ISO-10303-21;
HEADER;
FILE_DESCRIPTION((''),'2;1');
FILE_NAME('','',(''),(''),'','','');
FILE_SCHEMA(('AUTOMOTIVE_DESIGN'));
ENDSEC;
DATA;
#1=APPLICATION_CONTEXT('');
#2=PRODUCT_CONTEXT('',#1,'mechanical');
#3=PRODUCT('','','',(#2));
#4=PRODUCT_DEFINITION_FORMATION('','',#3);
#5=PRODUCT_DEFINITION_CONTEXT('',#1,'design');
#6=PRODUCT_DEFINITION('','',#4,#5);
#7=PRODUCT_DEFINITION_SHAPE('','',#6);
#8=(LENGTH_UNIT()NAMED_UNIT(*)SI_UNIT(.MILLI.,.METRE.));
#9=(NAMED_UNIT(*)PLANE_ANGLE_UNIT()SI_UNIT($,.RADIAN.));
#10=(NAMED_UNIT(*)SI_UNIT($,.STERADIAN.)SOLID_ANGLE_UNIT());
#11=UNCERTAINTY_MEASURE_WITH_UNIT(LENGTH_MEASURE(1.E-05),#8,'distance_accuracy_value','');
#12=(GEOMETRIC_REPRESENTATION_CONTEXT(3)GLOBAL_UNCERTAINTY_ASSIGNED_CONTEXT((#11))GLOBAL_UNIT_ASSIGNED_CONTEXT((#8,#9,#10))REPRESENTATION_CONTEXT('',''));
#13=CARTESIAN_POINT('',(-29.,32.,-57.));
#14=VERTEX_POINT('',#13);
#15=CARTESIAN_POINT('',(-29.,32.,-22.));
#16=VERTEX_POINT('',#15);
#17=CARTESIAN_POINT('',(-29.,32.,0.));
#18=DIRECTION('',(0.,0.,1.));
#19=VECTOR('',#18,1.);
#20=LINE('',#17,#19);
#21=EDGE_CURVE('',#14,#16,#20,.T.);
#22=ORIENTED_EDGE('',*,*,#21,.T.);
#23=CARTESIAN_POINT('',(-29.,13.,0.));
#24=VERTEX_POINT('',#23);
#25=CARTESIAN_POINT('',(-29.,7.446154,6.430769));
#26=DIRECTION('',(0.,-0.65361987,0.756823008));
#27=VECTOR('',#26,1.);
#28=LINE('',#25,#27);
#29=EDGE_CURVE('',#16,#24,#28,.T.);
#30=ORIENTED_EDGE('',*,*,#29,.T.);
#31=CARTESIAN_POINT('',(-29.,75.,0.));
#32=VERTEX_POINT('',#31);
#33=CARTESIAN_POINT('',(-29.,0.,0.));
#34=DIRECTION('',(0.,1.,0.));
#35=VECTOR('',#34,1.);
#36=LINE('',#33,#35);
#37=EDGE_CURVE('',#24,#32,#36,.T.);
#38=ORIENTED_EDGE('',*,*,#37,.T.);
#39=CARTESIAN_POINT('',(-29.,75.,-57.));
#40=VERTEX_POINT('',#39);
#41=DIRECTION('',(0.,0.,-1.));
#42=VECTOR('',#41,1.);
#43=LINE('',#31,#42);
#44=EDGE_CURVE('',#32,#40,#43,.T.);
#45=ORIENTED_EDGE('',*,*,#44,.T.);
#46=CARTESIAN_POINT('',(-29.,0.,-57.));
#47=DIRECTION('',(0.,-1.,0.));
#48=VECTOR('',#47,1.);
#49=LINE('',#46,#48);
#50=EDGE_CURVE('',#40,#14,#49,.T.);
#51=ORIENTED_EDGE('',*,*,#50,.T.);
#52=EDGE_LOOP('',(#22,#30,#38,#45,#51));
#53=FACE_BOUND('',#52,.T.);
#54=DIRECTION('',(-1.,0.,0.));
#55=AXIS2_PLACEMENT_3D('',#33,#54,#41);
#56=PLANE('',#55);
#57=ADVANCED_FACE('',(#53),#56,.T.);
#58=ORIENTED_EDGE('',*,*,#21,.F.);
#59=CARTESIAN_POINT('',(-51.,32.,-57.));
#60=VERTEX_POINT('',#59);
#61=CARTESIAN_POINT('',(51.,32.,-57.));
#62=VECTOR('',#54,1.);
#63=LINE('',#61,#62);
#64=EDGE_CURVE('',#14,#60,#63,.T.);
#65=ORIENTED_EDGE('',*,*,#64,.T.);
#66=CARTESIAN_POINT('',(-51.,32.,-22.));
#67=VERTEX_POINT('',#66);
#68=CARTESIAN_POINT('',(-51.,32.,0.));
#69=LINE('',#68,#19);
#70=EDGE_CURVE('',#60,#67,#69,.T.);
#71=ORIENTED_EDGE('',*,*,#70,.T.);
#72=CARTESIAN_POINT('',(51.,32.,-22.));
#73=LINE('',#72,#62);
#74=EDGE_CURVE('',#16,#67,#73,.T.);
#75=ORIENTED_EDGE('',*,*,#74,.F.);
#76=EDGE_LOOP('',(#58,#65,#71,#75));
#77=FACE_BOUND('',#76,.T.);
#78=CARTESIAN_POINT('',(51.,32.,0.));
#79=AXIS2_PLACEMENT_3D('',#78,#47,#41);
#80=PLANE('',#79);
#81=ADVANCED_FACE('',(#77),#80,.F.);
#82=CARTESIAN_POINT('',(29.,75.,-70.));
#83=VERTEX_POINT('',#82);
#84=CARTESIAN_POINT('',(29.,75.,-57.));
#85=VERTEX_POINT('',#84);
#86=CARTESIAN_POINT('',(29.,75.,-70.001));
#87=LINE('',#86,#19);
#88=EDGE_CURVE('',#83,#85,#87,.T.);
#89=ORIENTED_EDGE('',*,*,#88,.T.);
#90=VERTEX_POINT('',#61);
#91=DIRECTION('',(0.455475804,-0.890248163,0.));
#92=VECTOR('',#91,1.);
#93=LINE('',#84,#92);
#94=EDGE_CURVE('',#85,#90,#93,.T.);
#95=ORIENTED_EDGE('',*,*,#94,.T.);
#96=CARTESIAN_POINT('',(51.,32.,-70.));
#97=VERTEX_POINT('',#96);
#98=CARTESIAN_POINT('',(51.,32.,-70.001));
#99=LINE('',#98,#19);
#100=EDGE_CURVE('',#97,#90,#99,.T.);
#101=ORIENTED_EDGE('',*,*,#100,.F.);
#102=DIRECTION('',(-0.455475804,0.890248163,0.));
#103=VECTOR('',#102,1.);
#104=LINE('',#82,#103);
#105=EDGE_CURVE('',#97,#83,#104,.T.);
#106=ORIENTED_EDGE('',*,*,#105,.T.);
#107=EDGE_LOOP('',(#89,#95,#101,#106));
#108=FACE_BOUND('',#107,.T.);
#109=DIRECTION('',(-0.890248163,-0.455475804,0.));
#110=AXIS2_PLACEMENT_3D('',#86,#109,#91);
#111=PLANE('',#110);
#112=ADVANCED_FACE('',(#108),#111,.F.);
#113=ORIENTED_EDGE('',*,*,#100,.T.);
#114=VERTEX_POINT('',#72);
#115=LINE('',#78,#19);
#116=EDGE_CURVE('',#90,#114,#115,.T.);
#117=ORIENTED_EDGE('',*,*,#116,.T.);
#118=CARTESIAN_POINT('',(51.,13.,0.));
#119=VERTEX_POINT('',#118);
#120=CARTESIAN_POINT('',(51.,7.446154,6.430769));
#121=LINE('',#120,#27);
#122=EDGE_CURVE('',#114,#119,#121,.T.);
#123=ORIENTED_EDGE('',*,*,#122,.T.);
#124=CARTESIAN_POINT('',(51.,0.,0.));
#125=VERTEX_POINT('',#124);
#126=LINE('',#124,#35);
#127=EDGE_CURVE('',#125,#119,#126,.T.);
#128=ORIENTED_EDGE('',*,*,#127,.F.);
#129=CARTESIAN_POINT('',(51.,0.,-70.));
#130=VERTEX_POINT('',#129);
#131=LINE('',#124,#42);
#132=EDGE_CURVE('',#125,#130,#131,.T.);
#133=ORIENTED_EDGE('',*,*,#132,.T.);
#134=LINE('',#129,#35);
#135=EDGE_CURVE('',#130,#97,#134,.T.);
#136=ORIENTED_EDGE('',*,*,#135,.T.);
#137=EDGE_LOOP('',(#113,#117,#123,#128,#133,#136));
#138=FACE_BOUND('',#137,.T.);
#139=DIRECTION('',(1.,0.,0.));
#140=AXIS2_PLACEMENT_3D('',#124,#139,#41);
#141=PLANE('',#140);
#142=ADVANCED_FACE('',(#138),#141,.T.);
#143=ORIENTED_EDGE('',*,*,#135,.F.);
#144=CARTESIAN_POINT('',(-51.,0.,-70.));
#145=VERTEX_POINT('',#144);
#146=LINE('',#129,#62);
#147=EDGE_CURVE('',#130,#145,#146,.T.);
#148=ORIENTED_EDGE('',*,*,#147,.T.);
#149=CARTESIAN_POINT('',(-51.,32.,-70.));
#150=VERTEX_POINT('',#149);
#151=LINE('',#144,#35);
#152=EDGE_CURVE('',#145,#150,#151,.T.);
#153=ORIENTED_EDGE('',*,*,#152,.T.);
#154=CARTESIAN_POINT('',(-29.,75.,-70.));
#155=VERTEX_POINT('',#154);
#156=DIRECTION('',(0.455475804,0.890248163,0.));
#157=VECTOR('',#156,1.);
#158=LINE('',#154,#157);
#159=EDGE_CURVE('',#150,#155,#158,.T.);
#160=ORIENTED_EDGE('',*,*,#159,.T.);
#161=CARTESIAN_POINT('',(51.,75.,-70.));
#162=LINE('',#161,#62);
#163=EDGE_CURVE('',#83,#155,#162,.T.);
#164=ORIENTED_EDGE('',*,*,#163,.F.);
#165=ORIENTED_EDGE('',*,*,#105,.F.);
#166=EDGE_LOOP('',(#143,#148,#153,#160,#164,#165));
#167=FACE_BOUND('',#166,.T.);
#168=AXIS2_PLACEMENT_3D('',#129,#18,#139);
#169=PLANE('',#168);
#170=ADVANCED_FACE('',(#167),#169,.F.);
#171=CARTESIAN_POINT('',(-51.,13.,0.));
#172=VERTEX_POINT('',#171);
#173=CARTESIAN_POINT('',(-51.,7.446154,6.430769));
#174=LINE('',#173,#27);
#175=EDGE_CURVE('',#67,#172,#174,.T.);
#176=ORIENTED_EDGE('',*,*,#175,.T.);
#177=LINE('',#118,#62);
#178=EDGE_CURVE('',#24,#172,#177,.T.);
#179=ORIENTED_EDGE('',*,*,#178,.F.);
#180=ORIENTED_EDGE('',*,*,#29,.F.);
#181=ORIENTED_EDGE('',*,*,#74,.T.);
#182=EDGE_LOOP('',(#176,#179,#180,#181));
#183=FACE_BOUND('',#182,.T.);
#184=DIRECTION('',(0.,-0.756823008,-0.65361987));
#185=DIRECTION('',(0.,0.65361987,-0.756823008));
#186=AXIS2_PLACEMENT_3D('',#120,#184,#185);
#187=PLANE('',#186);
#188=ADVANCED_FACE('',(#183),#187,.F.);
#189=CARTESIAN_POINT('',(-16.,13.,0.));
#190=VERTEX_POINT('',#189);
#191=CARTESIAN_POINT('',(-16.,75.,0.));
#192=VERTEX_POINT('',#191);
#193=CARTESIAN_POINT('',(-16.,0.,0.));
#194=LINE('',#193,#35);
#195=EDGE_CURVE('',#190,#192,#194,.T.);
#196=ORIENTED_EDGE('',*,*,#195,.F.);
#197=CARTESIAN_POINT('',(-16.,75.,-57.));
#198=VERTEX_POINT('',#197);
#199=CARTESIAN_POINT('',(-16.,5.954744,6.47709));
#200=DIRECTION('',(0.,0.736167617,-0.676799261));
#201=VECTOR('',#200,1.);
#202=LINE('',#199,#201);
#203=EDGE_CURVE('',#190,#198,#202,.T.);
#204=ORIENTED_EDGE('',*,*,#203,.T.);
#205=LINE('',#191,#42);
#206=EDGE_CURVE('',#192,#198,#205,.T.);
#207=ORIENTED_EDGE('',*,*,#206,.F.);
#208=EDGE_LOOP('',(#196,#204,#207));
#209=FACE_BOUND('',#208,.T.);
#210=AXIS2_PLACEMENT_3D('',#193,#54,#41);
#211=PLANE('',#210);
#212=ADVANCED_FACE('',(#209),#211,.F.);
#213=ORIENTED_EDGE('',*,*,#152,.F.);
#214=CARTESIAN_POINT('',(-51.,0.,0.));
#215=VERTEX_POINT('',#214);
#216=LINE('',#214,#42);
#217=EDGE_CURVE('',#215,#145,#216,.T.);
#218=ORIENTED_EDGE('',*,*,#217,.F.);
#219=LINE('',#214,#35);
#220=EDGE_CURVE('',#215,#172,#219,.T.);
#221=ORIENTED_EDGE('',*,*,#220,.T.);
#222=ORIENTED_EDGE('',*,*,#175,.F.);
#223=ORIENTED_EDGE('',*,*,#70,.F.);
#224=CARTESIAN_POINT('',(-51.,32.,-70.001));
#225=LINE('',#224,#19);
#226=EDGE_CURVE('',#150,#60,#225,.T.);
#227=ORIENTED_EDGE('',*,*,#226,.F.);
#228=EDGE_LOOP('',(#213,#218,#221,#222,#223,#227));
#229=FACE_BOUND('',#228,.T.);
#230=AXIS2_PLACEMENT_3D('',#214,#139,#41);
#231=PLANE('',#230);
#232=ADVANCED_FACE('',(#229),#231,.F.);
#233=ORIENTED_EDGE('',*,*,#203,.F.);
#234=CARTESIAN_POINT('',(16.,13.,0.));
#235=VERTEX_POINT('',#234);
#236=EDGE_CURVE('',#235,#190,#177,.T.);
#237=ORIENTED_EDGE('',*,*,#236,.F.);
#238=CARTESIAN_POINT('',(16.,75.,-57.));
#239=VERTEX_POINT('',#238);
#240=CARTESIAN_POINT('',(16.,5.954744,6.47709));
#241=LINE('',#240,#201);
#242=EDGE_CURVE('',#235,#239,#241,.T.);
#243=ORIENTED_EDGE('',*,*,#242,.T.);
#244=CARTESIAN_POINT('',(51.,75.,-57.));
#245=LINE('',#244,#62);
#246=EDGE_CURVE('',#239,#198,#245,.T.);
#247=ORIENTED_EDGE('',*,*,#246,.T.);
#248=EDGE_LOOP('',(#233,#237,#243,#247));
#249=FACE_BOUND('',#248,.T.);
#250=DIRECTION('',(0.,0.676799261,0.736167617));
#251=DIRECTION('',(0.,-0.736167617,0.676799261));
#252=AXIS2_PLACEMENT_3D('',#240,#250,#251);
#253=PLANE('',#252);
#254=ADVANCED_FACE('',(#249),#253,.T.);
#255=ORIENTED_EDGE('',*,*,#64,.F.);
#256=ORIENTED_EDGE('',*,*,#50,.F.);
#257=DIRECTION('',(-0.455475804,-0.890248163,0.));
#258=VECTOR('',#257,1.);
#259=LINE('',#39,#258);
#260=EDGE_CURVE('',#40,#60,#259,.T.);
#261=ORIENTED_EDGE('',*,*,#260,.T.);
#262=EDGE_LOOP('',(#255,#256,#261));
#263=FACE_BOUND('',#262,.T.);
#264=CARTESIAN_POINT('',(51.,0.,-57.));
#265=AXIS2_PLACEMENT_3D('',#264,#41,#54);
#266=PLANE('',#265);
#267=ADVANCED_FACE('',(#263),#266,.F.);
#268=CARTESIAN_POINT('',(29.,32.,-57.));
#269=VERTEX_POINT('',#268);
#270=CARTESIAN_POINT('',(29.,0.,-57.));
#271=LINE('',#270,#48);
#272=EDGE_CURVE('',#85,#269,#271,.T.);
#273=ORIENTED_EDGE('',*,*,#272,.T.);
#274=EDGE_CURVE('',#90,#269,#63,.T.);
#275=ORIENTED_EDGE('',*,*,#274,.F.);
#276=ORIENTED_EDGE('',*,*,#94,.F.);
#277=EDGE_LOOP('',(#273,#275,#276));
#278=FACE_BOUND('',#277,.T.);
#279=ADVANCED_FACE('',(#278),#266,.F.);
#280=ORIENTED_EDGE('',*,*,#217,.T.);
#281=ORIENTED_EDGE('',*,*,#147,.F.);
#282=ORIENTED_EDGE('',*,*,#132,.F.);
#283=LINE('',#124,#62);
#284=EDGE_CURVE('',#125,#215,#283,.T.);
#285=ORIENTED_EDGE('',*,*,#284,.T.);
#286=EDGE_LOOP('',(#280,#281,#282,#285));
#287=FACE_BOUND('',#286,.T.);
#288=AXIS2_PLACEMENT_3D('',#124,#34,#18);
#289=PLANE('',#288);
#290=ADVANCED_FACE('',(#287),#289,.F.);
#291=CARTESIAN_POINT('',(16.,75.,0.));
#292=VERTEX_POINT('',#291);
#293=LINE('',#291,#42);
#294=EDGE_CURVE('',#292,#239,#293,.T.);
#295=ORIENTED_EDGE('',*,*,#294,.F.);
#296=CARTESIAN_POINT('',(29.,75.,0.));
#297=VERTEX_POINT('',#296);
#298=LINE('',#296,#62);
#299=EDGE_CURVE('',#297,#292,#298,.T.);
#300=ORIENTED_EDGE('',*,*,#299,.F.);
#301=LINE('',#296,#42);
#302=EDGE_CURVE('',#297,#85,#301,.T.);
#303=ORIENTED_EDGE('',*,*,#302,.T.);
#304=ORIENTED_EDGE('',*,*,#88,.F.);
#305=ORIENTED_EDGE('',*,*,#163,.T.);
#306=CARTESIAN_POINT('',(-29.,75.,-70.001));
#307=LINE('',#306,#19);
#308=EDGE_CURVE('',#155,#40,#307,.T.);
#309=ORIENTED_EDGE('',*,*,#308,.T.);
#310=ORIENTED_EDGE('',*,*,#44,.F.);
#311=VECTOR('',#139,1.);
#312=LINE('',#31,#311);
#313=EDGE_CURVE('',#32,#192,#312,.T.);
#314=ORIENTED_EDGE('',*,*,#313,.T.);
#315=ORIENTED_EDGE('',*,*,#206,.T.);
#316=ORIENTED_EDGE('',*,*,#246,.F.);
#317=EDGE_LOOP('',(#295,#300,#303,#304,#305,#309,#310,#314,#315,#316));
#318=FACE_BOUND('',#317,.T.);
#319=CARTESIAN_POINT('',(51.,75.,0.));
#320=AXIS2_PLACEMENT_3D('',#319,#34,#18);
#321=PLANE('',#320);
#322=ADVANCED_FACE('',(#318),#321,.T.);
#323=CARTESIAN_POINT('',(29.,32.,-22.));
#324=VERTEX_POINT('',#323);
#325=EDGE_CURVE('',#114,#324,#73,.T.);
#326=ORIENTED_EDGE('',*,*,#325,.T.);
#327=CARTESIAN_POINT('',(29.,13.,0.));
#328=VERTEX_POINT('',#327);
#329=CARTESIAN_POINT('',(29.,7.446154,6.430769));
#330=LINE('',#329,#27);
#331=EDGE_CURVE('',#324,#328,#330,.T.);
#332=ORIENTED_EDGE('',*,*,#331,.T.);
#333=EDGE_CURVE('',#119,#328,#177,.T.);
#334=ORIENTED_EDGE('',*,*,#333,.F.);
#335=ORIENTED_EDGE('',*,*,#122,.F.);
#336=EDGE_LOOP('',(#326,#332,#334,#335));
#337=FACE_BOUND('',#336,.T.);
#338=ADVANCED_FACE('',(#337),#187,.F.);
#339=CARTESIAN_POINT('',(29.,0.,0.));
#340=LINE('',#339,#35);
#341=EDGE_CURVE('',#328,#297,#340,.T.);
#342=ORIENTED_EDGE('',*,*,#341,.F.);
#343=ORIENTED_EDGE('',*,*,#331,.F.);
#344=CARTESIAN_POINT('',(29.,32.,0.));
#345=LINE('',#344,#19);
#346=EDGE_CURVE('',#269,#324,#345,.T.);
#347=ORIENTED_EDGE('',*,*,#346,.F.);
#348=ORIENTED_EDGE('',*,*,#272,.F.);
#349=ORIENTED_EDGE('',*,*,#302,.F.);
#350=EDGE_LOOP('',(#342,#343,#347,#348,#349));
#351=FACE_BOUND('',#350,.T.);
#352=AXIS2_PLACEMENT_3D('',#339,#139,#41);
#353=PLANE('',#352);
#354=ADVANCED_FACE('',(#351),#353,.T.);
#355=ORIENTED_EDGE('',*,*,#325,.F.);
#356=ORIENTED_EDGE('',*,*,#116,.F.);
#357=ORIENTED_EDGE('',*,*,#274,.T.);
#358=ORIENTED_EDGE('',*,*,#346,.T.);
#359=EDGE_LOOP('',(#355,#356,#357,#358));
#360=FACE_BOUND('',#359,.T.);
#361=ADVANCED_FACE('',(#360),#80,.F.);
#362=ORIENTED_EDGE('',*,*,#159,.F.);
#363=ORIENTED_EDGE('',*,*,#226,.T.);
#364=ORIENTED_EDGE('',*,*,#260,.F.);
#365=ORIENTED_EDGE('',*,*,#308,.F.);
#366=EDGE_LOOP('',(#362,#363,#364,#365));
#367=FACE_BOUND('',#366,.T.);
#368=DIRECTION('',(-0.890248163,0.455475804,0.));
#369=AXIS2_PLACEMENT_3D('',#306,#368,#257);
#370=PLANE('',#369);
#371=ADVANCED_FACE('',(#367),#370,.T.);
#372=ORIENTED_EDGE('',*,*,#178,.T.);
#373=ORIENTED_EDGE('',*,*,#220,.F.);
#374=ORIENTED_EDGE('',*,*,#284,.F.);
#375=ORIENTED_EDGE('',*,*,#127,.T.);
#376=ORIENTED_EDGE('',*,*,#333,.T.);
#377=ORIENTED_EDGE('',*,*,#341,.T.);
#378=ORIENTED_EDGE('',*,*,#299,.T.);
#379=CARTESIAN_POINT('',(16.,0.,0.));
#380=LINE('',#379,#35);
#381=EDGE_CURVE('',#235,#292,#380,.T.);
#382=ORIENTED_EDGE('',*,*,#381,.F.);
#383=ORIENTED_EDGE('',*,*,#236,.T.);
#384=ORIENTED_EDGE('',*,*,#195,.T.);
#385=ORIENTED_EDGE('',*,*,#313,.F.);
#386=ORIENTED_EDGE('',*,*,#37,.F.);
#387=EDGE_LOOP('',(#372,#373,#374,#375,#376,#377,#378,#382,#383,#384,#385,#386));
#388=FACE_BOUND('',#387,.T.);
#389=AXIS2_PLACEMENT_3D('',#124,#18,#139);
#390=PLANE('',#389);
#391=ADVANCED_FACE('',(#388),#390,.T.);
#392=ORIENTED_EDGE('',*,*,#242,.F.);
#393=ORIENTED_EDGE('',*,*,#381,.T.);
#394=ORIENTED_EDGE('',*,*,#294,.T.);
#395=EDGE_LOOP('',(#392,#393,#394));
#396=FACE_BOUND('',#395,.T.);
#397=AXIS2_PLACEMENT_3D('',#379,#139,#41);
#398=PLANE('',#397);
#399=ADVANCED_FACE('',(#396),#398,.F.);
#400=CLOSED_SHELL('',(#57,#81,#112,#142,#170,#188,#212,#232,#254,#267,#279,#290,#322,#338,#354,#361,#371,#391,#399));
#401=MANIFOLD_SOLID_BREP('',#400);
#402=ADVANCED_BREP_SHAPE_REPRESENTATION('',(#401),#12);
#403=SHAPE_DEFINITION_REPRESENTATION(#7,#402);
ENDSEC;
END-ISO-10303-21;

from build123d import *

# Parameters (mm, degrees)
BOSS_EXTRUDE1_DEPTH      = 51
BOSS_EXTRUDE2_START      = 16
BOSS_EXTRUDE2_DEPTH      = 13
CUT_EXTRUDE1_REACH       = 109.121
BOSS_EXTRUDE3_DEPTH      = 16
BOSS_EXTRUDE3_DEPTH_BACK = 16


with BuildPart() as part:
    # Sketch1 → Boss-Extrude1 (new, symmetric)
    with BuildSketch(Plane(origin=(0, 0, 0), x_dir=(0, 0, -1), z_dir=(1, 0, 0))):
        Polygon((70, 75), (57, 75), (57, 32), (22, 32), (0, 13), (0, 0), (70, 0), align=None)
    extrude(amount=BOSS_EXTRUDE1_DEPTH, both=True)

    # Sketch1<3> → Boss-Extrude2 (add)
    with BuildSketch(Plane(origin=(0, 0, 0), x_dir=(0, 0, -1), z_dir=(1, 0, 0)).offset(BOSS_EXTRUDE2_START)):
        Polygon((0, 13), (57, 75), (57, 32), (22, 32), align=None)
        Polygon((0, 13), (57, 75), (0, 75), align=None)
    boss_extrude2 = extrude(amount=BOSS_EXTRUDE2_DEPTH)

    # Sketch2 → Cut-Extrude1 (cut, up to next)
    with BuildSketch(Plane.XY.offset(-57), mode=Mode.PRIVATE) as cut_extrude1_sk1:
        Polygon((29, 75), (51, 32), (51, 75), align=None)
    cut_extrude1_tool1 = extrude(cut_extrude1_sk1.sketch, amount=-CUT_EXTRUDE1_REACH, mode=Mode.PRIVATE) & part.part
    cut_extrude1 = cut_extrude1_tool1.solids().sort_by_distance((43.666667, 60.666667, -57))[0]
    add(cut_extrude1, mode=Mode.SUBTRACT)

    # Mirror1: Boss-Extrude2, Cut-Extrude1 across plane
    add(boss_extrude2.mirror(Plane(origin=(0, 0, 0), x_dir=(0, 0, 1), z_dir=(1, 0, 0))))
    add(cut_extrude1.mirror(Plane(origin=(0, 0, 0), x_dir=(0, 0, 1), z_dir=(1, 0, 0))), mode=Mode.SUBTRACT)

    # Sketch1<4> → Boss-Extrude3 (add, two sides: drawn at the far end of the back side and taken through both)
    with BuildSketch(Plane(origin=(0, 0, 0), x_dir=(0, 0, -1), z_dir=(1, 0, 0)).offset(-BOSS_EXTRUDE3_DEPTH_BACK)):
        Polygon((0, 13), (57, 75), (57, 32), (22, 32), align=None)
    extrude(amount=BOSS_EXTRUDE3_DEPTH + BOSS_EXTRUDE3_DEPTH_BACK)


solid = part.part
